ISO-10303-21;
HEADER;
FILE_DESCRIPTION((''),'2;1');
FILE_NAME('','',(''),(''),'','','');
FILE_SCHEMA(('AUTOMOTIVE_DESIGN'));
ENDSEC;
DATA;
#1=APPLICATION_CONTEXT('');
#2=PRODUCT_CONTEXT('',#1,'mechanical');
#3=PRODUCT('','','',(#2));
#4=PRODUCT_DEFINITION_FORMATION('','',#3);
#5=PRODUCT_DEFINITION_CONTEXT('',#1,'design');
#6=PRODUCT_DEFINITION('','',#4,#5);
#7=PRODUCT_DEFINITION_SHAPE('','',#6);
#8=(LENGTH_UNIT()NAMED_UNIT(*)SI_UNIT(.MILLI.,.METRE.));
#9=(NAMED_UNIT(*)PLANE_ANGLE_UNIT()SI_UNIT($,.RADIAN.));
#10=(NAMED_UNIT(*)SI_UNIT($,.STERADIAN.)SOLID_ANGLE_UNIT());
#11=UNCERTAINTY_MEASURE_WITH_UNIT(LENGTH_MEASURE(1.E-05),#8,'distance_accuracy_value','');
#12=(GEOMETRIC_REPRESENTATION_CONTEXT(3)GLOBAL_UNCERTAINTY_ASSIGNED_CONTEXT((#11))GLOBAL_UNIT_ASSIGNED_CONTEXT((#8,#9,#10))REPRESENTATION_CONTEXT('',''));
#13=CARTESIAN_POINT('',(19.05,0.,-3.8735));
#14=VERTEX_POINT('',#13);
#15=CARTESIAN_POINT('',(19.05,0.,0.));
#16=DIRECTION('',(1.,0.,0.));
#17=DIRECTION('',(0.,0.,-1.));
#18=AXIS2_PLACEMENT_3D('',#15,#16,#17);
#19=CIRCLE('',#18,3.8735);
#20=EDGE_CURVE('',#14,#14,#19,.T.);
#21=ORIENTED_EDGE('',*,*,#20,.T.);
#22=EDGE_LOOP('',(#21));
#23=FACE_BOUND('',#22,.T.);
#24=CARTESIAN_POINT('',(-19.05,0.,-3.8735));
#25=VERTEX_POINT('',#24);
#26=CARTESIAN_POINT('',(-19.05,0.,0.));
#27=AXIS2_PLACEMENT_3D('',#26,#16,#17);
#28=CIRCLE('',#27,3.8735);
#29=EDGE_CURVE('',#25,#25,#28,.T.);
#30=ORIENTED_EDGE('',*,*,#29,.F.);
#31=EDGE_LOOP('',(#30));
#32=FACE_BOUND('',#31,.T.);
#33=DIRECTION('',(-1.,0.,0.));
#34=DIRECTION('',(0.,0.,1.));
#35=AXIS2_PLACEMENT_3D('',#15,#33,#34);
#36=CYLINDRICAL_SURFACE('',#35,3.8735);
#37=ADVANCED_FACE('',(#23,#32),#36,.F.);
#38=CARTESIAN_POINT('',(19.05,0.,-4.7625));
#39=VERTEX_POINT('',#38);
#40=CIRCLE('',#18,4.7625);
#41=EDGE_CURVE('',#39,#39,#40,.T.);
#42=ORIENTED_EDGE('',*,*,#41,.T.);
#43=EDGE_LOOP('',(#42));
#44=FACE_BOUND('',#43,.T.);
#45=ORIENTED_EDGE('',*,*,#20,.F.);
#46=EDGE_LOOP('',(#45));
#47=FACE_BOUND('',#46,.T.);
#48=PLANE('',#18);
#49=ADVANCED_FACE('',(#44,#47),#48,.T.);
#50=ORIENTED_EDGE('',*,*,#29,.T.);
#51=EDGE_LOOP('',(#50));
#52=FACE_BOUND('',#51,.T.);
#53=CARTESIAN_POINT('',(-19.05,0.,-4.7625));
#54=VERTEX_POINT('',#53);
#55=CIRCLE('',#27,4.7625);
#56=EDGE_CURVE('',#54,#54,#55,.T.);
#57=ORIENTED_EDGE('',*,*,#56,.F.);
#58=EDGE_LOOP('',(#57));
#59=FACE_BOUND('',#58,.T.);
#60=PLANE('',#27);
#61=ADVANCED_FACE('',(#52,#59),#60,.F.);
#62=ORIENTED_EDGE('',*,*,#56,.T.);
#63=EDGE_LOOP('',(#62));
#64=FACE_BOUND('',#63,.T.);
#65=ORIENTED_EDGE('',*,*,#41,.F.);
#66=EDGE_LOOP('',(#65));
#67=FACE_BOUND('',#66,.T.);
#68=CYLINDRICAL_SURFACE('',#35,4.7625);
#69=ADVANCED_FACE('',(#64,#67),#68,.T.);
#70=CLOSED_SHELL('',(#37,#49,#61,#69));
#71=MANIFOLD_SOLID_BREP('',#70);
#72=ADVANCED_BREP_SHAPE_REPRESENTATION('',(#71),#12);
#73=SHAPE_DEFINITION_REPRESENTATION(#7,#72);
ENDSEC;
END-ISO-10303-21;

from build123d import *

# Parameters (mm, degrees)
SKETCH1_R      = 4.7625
SKETCH1_R_2    = 3.8735
EXTRUDE1_DEPTH = 19.05


with BuildPart() as part:
    # Sketch1 → Extrude1 (new body, symmetric)
    with BuildSketch(Plane(origin=(0, 0, 0), x_dir=(0, 0, -1), z_dir=(1, 0, 0))):
        Circle(SKETCH1_R)
        Circle(SKETCH1_R_2, mode=Mode.SUBTRACT)
    extrude(amount=EXTRUDE1_DEPTH, both=True)


solid = part.part
